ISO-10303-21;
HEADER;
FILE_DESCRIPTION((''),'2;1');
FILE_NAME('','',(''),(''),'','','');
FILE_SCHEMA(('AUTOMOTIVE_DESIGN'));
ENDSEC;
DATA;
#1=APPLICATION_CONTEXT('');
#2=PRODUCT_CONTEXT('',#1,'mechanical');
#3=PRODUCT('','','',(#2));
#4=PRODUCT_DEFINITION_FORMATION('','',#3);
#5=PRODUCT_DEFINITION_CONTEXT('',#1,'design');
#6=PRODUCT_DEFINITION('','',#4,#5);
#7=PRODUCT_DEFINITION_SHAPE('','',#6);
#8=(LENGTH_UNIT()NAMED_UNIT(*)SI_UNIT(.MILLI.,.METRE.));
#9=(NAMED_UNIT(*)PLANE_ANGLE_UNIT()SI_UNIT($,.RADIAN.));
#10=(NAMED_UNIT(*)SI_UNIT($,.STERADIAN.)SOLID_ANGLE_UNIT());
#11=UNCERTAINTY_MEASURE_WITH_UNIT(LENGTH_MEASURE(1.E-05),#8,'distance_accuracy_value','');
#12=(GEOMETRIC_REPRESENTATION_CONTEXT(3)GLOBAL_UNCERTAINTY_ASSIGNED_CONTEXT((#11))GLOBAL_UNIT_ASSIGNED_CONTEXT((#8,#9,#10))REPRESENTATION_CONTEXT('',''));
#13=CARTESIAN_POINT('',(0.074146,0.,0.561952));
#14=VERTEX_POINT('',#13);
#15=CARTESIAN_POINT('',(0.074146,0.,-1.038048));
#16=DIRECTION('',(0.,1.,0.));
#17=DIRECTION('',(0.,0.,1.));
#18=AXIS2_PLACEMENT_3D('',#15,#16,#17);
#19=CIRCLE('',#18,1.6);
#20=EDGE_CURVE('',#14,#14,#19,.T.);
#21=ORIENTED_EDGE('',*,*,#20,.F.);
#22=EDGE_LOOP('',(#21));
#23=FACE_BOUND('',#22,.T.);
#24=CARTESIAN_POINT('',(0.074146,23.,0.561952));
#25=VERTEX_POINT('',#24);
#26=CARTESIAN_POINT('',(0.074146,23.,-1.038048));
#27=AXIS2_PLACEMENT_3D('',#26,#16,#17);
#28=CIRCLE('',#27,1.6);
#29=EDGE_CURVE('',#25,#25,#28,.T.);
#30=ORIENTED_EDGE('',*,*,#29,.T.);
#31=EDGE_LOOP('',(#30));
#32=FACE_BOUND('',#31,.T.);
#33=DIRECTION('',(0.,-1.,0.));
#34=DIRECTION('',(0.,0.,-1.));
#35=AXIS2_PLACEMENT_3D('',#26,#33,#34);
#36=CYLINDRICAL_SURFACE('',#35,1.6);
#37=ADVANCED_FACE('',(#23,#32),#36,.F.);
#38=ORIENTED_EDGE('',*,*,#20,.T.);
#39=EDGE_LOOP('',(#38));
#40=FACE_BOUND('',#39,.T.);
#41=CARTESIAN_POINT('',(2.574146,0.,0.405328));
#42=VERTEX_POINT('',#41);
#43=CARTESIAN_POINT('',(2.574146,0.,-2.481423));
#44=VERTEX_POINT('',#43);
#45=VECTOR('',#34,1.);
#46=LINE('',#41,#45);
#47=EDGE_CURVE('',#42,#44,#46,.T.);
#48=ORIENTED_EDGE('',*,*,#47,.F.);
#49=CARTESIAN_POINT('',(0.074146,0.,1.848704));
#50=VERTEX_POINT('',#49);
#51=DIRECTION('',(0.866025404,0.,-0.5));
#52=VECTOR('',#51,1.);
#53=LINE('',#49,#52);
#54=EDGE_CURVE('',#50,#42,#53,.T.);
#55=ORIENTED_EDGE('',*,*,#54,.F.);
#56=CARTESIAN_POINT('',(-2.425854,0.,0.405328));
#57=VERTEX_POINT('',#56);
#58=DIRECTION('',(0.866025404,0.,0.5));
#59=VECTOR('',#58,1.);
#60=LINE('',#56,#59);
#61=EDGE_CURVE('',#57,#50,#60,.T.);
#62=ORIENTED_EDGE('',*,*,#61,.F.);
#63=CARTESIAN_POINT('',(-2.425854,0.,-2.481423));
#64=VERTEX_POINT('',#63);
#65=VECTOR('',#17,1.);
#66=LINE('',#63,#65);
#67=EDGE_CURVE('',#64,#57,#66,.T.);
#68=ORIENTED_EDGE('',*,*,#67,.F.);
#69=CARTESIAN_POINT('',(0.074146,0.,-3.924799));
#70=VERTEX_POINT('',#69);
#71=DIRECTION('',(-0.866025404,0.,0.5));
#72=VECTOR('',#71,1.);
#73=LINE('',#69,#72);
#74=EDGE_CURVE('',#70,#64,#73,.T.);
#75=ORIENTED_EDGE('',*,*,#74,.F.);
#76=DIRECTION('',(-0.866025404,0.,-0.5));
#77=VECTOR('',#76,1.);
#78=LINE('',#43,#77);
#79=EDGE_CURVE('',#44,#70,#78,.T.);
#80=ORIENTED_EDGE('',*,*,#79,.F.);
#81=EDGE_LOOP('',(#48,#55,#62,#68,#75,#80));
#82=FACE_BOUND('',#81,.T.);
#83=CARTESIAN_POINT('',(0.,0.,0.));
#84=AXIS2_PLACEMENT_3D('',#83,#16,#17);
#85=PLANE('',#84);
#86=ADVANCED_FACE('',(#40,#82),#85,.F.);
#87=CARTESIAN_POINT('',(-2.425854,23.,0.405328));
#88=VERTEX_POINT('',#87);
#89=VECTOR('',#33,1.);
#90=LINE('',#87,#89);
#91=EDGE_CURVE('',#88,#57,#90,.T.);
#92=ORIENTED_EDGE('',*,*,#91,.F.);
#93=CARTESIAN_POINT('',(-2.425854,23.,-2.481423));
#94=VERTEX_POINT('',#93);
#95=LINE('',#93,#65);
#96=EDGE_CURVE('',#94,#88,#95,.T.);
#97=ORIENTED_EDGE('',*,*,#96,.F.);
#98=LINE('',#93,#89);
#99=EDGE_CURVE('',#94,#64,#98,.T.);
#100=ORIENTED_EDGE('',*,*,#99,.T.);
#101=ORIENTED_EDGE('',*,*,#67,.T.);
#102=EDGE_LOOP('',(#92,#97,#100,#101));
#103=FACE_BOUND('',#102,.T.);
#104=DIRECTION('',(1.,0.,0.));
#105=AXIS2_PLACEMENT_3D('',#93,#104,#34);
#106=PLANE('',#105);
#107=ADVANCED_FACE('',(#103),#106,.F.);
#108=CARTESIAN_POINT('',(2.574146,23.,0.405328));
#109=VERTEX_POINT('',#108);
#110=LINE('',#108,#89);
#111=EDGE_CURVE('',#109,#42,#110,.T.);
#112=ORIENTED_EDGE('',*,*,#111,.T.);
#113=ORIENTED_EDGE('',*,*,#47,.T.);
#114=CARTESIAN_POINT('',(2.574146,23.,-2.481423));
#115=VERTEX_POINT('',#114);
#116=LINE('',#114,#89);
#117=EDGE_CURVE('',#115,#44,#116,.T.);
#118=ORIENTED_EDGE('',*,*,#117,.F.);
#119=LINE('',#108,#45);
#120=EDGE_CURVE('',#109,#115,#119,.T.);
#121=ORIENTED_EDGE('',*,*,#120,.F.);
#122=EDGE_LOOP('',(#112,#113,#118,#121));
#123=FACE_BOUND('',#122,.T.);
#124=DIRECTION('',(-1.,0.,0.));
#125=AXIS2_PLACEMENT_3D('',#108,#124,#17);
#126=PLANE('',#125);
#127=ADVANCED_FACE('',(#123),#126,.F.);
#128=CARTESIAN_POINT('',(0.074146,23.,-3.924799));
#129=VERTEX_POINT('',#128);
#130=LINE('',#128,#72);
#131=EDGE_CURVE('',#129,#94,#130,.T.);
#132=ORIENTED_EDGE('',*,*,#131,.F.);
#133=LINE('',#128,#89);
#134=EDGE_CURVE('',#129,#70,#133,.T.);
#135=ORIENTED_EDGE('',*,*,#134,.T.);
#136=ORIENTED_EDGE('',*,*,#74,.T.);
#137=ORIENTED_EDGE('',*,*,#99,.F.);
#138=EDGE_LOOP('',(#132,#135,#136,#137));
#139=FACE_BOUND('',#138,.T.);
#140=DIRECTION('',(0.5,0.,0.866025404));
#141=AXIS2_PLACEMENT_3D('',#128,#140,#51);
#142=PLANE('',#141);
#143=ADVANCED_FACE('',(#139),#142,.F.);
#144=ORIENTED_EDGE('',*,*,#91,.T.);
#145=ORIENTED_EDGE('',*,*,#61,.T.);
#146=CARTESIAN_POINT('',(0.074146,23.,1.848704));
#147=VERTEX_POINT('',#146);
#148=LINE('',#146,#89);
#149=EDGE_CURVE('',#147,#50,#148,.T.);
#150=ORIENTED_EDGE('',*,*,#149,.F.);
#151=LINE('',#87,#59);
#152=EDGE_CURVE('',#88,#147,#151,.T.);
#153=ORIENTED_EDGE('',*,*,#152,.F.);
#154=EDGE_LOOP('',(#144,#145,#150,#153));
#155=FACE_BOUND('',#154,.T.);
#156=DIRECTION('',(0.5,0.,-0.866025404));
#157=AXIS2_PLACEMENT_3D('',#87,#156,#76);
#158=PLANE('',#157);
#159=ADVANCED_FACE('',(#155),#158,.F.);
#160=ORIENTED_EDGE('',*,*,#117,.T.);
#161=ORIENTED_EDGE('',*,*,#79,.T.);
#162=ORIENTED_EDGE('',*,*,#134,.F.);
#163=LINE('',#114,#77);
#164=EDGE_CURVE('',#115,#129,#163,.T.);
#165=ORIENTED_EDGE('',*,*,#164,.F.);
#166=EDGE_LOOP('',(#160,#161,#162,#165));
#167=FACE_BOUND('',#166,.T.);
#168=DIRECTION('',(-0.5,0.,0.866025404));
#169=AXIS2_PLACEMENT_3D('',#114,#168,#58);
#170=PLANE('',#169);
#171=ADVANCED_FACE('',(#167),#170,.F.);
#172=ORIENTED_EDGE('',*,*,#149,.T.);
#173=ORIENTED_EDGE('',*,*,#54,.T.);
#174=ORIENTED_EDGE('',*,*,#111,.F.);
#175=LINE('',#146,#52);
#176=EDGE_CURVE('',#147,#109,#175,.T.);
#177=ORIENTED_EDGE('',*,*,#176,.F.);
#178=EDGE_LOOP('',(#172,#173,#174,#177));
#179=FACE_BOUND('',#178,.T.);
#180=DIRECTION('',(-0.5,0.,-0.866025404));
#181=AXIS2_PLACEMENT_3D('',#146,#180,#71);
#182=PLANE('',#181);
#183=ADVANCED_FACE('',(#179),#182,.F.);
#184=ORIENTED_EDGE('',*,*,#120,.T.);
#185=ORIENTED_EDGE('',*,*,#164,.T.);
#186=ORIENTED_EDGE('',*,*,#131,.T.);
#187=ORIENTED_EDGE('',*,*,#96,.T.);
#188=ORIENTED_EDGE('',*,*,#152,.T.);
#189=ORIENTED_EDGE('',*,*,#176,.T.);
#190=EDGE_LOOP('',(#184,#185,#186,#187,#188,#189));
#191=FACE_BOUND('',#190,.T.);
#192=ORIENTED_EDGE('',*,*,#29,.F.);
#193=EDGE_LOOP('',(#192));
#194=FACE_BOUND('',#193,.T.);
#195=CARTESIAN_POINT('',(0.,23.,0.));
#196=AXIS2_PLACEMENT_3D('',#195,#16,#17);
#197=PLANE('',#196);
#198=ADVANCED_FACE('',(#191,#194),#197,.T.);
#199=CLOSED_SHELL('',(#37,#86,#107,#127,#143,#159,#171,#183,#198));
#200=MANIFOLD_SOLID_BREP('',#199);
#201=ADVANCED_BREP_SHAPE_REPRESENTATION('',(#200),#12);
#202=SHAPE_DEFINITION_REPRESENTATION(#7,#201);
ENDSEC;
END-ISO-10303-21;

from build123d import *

# Parameters (mm, degrees)
SKETCH_1_R      = 1.6
EXTRUDE_1_DEPTH = 23


with BuildPart() as part:
    # 草图1 → 凸台-拉伸1 (new body)
    with BuildSketch(Plane(origin=(0, 0, 0), x_dir=(1, 0, 0), z_dir=(0, 1, 0))):
        Polygon((0.074146271, 3.924799144), (-2.425853729, 2.481423471), (-2.425853729, -0.405327875), (0.074146271, -1.848703548), (2.574146271, -0.405327875), (2.574146271, 2.481423471), align=None)
        with Locations(Location((0.074146271, 1.038047798, 0), (0, 0, 270))):
            Circle(SKETCH_1_R, mode=Mode.SUBTRACT)
    extrude(amount=EXTRUDE_1_DEPTH)


solid = part.part
